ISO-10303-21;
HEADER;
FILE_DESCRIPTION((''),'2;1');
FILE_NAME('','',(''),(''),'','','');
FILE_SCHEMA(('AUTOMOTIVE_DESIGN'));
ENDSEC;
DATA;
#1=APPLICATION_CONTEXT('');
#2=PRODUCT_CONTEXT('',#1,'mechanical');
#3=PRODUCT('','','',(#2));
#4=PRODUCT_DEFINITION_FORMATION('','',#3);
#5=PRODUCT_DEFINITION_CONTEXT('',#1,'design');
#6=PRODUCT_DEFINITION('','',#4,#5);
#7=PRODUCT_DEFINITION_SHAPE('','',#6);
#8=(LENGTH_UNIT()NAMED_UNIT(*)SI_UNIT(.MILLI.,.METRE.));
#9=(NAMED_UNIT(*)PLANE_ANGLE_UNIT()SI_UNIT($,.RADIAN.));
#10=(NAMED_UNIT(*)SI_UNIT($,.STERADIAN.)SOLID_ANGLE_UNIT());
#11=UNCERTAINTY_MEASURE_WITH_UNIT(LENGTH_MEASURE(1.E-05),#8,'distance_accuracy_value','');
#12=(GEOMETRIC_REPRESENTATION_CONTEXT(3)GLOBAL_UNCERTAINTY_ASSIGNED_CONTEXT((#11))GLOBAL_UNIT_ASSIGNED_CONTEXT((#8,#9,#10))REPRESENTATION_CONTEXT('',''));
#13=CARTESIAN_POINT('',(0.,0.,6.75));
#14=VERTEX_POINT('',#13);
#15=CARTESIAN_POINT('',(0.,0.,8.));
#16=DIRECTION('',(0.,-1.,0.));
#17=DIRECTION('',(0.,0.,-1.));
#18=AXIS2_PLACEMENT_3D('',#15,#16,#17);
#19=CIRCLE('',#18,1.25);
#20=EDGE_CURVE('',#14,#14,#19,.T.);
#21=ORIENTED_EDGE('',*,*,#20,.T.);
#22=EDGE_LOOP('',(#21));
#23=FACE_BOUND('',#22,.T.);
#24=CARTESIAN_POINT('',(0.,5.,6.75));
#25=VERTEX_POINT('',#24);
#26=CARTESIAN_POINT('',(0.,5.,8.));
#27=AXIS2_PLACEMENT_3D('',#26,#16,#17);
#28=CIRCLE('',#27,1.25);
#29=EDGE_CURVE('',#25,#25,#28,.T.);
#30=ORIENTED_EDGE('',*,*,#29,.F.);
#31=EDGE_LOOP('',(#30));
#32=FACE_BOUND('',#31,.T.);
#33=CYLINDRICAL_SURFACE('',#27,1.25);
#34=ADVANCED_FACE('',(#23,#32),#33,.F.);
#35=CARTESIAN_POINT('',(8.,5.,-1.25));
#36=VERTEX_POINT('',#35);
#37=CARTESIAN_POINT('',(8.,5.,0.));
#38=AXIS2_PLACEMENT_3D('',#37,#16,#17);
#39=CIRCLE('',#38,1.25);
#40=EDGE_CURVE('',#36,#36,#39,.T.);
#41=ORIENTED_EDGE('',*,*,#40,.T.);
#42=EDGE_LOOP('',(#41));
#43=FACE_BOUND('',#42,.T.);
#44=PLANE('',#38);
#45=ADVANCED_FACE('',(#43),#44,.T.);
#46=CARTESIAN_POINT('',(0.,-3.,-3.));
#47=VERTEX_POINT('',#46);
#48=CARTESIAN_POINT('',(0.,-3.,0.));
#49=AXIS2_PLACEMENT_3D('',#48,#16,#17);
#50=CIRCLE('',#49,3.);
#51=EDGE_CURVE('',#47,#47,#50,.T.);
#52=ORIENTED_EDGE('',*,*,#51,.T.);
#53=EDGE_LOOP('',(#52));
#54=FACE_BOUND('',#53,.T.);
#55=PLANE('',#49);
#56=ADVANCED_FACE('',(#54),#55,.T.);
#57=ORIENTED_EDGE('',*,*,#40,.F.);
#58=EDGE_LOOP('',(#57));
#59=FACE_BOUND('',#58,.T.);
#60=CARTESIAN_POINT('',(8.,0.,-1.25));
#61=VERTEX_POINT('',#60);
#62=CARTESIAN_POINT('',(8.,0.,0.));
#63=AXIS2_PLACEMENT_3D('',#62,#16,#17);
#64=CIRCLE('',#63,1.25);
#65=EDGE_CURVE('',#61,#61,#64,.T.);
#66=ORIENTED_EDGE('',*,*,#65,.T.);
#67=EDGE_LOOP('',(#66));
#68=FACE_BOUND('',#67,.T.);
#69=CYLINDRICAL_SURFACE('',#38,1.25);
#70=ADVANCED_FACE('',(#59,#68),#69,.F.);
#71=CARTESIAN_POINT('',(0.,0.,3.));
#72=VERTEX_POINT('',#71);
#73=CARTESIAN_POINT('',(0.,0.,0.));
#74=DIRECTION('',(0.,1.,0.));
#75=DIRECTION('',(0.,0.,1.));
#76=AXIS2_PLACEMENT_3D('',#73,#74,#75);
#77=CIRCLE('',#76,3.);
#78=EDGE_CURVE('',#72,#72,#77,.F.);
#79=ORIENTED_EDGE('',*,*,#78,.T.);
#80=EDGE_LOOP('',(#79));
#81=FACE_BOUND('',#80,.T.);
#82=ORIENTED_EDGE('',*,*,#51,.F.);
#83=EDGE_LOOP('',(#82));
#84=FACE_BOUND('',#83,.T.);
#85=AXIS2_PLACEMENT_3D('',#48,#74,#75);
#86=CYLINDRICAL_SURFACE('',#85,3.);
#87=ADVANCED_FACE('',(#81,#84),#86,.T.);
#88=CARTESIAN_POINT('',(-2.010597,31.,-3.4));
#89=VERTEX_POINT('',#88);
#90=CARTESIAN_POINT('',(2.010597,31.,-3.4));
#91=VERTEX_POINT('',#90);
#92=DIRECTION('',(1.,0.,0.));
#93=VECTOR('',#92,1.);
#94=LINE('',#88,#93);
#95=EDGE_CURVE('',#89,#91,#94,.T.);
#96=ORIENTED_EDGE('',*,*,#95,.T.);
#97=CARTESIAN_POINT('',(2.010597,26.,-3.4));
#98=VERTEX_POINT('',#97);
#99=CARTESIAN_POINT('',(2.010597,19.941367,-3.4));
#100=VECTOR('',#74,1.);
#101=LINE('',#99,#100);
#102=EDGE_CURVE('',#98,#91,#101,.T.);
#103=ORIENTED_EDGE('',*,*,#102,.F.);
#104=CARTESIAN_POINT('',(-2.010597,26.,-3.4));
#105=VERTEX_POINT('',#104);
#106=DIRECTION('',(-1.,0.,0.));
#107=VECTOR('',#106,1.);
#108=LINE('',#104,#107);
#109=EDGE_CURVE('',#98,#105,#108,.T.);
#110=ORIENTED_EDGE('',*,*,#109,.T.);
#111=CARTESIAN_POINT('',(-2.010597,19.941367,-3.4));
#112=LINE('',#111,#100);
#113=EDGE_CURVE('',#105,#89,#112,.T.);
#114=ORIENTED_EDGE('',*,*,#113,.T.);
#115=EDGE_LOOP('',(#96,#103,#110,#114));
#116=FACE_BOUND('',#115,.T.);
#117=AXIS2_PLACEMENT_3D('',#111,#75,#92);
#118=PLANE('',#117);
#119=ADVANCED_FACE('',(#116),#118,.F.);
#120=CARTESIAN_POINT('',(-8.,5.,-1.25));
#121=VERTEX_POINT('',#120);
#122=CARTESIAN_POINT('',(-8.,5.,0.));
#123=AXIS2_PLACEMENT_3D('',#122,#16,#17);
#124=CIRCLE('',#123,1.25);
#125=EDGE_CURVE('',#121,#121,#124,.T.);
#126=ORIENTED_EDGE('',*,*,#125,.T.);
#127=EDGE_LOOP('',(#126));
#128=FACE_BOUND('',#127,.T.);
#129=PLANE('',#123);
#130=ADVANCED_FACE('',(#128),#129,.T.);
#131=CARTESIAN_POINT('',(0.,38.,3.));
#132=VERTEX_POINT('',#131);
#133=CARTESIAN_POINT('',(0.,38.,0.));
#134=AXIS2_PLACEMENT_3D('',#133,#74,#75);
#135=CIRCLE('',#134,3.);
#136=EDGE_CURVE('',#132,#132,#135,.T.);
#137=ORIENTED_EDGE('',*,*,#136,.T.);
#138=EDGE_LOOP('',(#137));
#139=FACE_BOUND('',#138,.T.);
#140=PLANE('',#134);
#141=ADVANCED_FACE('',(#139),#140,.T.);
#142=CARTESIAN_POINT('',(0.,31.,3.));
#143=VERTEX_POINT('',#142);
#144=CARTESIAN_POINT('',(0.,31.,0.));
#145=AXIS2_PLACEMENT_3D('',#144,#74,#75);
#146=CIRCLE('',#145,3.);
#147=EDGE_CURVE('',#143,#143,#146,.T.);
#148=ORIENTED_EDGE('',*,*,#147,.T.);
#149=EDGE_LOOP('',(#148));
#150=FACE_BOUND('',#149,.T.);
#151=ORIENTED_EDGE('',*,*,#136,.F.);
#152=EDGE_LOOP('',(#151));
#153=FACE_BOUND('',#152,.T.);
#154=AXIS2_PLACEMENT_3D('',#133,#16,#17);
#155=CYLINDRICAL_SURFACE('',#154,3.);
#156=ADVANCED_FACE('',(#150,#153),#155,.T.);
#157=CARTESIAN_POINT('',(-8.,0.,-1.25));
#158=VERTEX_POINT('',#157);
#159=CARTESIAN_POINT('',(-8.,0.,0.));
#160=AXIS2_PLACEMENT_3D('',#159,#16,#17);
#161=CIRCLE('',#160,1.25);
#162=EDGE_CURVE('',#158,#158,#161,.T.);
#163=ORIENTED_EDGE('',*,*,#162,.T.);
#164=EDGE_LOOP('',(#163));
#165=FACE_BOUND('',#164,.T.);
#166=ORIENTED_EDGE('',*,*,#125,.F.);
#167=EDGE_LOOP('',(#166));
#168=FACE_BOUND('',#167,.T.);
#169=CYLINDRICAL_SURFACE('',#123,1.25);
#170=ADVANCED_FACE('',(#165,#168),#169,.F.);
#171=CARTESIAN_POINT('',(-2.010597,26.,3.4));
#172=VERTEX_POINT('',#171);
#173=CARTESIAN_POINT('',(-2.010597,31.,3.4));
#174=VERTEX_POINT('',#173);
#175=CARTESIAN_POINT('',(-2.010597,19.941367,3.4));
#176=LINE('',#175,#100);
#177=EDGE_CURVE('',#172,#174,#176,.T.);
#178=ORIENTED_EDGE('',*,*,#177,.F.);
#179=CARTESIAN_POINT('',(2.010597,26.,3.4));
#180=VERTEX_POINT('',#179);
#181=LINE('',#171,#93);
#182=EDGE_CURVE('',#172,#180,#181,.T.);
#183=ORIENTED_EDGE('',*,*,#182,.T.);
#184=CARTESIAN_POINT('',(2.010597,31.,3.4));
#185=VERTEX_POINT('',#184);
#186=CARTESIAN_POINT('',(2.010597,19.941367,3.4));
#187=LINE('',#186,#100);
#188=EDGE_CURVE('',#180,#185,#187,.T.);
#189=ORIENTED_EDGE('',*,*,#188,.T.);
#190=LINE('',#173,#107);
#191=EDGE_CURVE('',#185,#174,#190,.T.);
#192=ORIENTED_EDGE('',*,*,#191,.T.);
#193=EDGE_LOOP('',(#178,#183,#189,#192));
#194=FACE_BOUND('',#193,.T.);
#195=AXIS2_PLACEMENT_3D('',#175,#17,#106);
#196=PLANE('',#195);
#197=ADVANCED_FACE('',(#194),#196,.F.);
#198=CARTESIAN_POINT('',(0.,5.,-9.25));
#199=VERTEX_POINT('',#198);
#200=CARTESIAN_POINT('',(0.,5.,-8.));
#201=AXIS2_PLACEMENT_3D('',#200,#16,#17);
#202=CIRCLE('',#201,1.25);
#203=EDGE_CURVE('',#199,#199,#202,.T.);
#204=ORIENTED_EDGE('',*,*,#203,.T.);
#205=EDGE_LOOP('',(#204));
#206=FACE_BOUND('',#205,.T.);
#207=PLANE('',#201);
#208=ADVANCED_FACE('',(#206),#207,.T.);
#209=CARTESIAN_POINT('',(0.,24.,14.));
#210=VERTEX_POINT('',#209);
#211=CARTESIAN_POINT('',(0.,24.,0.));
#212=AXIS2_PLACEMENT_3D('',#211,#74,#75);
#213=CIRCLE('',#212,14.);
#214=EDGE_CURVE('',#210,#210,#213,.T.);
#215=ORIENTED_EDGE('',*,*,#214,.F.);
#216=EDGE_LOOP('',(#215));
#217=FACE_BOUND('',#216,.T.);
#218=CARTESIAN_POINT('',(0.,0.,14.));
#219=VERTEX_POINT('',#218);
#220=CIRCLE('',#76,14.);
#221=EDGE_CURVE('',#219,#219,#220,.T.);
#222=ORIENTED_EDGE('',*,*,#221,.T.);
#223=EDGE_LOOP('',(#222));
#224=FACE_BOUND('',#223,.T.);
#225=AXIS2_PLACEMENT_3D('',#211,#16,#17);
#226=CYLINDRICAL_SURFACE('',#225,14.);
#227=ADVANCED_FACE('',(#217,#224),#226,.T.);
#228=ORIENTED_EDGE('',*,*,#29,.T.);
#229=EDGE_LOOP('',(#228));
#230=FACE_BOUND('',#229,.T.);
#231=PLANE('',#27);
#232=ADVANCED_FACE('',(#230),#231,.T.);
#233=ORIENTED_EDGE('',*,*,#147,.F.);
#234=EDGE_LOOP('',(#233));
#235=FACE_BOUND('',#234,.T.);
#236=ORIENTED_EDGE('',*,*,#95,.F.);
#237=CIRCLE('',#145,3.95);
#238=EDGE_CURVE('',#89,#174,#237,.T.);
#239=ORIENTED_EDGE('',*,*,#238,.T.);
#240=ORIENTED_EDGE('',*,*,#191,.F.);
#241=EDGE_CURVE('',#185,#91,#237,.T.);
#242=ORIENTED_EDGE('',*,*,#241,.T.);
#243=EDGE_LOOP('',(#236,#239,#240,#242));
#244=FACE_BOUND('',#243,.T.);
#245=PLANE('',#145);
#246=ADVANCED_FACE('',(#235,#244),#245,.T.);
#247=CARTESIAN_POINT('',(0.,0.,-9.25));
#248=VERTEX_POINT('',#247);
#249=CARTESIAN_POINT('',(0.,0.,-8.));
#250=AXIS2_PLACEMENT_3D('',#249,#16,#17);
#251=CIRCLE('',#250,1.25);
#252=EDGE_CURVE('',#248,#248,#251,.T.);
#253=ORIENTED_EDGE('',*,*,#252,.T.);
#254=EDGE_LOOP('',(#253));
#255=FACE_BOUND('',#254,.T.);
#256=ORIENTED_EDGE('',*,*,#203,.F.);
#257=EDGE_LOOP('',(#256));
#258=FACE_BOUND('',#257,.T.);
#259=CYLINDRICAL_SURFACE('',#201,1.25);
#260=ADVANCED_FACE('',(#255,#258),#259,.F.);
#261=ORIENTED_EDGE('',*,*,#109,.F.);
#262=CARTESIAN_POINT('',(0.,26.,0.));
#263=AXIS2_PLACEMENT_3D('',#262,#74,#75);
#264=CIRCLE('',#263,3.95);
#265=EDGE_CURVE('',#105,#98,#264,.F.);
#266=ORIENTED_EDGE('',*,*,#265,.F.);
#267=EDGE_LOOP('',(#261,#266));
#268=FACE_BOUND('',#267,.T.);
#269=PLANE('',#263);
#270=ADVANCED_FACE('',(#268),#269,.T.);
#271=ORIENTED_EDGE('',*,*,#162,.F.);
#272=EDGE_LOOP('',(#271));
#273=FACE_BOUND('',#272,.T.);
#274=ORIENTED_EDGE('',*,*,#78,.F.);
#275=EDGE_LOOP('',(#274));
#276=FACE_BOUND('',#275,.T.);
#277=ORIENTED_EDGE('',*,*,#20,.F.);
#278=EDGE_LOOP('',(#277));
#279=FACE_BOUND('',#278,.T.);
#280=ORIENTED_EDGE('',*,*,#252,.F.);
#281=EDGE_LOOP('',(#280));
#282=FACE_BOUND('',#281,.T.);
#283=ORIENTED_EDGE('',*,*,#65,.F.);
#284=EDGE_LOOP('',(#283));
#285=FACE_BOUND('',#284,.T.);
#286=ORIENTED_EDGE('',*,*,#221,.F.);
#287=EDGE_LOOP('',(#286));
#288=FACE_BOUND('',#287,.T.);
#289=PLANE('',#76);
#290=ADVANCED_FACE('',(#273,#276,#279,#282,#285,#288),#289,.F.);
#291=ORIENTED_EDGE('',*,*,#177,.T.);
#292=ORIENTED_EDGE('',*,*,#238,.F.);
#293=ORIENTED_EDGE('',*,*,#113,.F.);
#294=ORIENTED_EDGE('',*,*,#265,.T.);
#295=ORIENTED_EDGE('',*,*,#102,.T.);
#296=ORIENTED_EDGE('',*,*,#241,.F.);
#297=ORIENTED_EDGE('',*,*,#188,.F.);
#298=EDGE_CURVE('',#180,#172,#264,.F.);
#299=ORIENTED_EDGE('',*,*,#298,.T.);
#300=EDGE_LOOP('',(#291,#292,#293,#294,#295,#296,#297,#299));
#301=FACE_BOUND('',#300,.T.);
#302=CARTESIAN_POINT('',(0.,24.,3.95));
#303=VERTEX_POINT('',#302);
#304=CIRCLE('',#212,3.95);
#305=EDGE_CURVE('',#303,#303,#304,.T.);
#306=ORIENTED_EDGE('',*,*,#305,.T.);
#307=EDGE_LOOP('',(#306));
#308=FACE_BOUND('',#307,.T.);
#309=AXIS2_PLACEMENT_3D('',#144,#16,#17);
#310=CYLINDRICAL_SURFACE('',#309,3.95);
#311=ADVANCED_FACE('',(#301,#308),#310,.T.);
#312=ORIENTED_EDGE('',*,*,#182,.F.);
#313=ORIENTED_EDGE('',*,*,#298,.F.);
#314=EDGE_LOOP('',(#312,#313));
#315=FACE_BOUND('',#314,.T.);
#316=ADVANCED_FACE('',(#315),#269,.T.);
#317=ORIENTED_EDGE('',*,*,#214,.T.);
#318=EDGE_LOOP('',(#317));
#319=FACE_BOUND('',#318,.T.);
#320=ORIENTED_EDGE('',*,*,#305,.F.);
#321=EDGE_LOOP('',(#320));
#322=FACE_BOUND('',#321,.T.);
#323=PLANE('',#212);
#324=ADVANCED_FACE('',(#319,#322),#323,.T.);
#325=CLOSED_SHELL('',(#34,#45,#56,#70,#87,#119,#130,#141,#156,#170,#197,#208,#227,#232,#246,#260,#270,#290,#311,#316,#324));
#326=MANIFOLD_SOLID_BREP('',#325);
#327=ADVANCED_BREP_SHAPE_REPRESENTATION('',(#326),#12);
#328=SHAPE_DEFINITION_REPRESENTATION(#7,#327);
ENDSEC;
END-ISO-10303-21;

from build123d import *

# Parameters (mm, degrees)
SKETCH2_R           = 14
BOSS_EXTRUDE1_DEPTH = 24
SKETCH3_R           = 3.95
BOSS_EXTRUDE2_DEPTH = 7
SKETCH4_R           = 3
BOSS_EXTRUDE3_DEPTH = 7
SKETCH6_R           = 1.25
CUT_EXTRUDE1_DEPTH  = 5
EXTRUDE_START       = 3
SKETCH_1_R          = 3
EXTRUDE_1_DEPTH     = 3
CUT_EXTRUDE2_START  = -5
CUT_EXTRUDE2_DEPTH  = 5


with BuildPart() as part:
    # Sketch2 → Boss-Extrude1 (new body)
    with BuildSketch(Plane(origin=(0, 0, 0), x_dir=(1, 0, 0), z_dir=(0, 1, 0))):
        with Locations(Location((0, 0, 0), (0, 0, 270))):
            Circle(SKETCH2_R)
    extrude(amount=BOSS_EXTRUDE1_DEPTH)

    # Sketch3 → Boss-Extrude2 (add)
    with BuildSketch(Plane(origin=(0, 24, 0), x_dir=(1, 0, 0), z_dir=(0, 1, 0))):
        with Locations(Location((0, 0, 0), (0, 0, 270))):
            Circle(SKETCH3_R)
    extrude(amount=BOSS_EXTRUDE2_DEPTH)

    # Sketch4 → Boss-Extrude3 (add)
    with BuildSketch(Plane(origin=(0, 31, 0), x_dir=(1, 0, 0), z_dir=(0, 1, 0))):
        with Locations(Location((0, 0, 0), (0, 0, 270))):
            Circle(SKETCH4_R)
    extrude(amount=BOSS_EXTRUDE3_DEPTH)

    # Sketch6 → Cut-Extrude1 (cut)
    with BuildSketch(Plane.XZ):
        with Locations(Location((8, 0, 0), (0, 0, 270))):
            Circle(SKETCH6_R)
        with Locations(Location((0, -8, 0), (0, 0, 270))):
            Circle(SKETCH6_R)
        with Locations(Location((-8, 0, 0), (0, 0, 270))):
            Circle(SKETCH6_R)
        with Locations(Location((0, 8, 0), (0, 0, 270))):
            Circle(SKETCH6_R)
    extrude(amount=-CUT_EXTRUDE1_DEPTH, mode=Mode.SUBTRACT)

    # 草图1 → 凸台-拉伸1 (add)
    with BuildSketch(Plane.XZ.offset(EXTRUDE_START)):
        with Locations(Location((0, 0, 0), (0, 0, 90))):
            Circle(SKETCH_1_R)
    extrude(amount=-EXTRUDE_1_DEPTH)

    # Sketch7 → Cut-Extrude2 (cut)
    with BuildSketch(Plane(origin=(0, 31, 0), x_dir=(1, 0, 0), z_dir=(0, 1, 0)).offset(CUT_EXTRUDE2_START)):
        with BuildLine():
            Line((-2.010596926, 3.4), (2.010596926, 3.4))
            ThreePointArc((2.010596926, 3.4), (0, 3.95), (-2.010596926, 3.4))
        make_face()
        with BuildLine():
            Line((-2.010596926, -3.4), (2.010596926, -3.4))
            ThreePointArc((2.010596926, -3.4), (0, -3.95), (-2.010596926, -3.4))
        make_face()
    extrude(amount=CUT_EXTRUDE2_DEPTH, mode=Mode.SUBTRACT)


solid = part.part
